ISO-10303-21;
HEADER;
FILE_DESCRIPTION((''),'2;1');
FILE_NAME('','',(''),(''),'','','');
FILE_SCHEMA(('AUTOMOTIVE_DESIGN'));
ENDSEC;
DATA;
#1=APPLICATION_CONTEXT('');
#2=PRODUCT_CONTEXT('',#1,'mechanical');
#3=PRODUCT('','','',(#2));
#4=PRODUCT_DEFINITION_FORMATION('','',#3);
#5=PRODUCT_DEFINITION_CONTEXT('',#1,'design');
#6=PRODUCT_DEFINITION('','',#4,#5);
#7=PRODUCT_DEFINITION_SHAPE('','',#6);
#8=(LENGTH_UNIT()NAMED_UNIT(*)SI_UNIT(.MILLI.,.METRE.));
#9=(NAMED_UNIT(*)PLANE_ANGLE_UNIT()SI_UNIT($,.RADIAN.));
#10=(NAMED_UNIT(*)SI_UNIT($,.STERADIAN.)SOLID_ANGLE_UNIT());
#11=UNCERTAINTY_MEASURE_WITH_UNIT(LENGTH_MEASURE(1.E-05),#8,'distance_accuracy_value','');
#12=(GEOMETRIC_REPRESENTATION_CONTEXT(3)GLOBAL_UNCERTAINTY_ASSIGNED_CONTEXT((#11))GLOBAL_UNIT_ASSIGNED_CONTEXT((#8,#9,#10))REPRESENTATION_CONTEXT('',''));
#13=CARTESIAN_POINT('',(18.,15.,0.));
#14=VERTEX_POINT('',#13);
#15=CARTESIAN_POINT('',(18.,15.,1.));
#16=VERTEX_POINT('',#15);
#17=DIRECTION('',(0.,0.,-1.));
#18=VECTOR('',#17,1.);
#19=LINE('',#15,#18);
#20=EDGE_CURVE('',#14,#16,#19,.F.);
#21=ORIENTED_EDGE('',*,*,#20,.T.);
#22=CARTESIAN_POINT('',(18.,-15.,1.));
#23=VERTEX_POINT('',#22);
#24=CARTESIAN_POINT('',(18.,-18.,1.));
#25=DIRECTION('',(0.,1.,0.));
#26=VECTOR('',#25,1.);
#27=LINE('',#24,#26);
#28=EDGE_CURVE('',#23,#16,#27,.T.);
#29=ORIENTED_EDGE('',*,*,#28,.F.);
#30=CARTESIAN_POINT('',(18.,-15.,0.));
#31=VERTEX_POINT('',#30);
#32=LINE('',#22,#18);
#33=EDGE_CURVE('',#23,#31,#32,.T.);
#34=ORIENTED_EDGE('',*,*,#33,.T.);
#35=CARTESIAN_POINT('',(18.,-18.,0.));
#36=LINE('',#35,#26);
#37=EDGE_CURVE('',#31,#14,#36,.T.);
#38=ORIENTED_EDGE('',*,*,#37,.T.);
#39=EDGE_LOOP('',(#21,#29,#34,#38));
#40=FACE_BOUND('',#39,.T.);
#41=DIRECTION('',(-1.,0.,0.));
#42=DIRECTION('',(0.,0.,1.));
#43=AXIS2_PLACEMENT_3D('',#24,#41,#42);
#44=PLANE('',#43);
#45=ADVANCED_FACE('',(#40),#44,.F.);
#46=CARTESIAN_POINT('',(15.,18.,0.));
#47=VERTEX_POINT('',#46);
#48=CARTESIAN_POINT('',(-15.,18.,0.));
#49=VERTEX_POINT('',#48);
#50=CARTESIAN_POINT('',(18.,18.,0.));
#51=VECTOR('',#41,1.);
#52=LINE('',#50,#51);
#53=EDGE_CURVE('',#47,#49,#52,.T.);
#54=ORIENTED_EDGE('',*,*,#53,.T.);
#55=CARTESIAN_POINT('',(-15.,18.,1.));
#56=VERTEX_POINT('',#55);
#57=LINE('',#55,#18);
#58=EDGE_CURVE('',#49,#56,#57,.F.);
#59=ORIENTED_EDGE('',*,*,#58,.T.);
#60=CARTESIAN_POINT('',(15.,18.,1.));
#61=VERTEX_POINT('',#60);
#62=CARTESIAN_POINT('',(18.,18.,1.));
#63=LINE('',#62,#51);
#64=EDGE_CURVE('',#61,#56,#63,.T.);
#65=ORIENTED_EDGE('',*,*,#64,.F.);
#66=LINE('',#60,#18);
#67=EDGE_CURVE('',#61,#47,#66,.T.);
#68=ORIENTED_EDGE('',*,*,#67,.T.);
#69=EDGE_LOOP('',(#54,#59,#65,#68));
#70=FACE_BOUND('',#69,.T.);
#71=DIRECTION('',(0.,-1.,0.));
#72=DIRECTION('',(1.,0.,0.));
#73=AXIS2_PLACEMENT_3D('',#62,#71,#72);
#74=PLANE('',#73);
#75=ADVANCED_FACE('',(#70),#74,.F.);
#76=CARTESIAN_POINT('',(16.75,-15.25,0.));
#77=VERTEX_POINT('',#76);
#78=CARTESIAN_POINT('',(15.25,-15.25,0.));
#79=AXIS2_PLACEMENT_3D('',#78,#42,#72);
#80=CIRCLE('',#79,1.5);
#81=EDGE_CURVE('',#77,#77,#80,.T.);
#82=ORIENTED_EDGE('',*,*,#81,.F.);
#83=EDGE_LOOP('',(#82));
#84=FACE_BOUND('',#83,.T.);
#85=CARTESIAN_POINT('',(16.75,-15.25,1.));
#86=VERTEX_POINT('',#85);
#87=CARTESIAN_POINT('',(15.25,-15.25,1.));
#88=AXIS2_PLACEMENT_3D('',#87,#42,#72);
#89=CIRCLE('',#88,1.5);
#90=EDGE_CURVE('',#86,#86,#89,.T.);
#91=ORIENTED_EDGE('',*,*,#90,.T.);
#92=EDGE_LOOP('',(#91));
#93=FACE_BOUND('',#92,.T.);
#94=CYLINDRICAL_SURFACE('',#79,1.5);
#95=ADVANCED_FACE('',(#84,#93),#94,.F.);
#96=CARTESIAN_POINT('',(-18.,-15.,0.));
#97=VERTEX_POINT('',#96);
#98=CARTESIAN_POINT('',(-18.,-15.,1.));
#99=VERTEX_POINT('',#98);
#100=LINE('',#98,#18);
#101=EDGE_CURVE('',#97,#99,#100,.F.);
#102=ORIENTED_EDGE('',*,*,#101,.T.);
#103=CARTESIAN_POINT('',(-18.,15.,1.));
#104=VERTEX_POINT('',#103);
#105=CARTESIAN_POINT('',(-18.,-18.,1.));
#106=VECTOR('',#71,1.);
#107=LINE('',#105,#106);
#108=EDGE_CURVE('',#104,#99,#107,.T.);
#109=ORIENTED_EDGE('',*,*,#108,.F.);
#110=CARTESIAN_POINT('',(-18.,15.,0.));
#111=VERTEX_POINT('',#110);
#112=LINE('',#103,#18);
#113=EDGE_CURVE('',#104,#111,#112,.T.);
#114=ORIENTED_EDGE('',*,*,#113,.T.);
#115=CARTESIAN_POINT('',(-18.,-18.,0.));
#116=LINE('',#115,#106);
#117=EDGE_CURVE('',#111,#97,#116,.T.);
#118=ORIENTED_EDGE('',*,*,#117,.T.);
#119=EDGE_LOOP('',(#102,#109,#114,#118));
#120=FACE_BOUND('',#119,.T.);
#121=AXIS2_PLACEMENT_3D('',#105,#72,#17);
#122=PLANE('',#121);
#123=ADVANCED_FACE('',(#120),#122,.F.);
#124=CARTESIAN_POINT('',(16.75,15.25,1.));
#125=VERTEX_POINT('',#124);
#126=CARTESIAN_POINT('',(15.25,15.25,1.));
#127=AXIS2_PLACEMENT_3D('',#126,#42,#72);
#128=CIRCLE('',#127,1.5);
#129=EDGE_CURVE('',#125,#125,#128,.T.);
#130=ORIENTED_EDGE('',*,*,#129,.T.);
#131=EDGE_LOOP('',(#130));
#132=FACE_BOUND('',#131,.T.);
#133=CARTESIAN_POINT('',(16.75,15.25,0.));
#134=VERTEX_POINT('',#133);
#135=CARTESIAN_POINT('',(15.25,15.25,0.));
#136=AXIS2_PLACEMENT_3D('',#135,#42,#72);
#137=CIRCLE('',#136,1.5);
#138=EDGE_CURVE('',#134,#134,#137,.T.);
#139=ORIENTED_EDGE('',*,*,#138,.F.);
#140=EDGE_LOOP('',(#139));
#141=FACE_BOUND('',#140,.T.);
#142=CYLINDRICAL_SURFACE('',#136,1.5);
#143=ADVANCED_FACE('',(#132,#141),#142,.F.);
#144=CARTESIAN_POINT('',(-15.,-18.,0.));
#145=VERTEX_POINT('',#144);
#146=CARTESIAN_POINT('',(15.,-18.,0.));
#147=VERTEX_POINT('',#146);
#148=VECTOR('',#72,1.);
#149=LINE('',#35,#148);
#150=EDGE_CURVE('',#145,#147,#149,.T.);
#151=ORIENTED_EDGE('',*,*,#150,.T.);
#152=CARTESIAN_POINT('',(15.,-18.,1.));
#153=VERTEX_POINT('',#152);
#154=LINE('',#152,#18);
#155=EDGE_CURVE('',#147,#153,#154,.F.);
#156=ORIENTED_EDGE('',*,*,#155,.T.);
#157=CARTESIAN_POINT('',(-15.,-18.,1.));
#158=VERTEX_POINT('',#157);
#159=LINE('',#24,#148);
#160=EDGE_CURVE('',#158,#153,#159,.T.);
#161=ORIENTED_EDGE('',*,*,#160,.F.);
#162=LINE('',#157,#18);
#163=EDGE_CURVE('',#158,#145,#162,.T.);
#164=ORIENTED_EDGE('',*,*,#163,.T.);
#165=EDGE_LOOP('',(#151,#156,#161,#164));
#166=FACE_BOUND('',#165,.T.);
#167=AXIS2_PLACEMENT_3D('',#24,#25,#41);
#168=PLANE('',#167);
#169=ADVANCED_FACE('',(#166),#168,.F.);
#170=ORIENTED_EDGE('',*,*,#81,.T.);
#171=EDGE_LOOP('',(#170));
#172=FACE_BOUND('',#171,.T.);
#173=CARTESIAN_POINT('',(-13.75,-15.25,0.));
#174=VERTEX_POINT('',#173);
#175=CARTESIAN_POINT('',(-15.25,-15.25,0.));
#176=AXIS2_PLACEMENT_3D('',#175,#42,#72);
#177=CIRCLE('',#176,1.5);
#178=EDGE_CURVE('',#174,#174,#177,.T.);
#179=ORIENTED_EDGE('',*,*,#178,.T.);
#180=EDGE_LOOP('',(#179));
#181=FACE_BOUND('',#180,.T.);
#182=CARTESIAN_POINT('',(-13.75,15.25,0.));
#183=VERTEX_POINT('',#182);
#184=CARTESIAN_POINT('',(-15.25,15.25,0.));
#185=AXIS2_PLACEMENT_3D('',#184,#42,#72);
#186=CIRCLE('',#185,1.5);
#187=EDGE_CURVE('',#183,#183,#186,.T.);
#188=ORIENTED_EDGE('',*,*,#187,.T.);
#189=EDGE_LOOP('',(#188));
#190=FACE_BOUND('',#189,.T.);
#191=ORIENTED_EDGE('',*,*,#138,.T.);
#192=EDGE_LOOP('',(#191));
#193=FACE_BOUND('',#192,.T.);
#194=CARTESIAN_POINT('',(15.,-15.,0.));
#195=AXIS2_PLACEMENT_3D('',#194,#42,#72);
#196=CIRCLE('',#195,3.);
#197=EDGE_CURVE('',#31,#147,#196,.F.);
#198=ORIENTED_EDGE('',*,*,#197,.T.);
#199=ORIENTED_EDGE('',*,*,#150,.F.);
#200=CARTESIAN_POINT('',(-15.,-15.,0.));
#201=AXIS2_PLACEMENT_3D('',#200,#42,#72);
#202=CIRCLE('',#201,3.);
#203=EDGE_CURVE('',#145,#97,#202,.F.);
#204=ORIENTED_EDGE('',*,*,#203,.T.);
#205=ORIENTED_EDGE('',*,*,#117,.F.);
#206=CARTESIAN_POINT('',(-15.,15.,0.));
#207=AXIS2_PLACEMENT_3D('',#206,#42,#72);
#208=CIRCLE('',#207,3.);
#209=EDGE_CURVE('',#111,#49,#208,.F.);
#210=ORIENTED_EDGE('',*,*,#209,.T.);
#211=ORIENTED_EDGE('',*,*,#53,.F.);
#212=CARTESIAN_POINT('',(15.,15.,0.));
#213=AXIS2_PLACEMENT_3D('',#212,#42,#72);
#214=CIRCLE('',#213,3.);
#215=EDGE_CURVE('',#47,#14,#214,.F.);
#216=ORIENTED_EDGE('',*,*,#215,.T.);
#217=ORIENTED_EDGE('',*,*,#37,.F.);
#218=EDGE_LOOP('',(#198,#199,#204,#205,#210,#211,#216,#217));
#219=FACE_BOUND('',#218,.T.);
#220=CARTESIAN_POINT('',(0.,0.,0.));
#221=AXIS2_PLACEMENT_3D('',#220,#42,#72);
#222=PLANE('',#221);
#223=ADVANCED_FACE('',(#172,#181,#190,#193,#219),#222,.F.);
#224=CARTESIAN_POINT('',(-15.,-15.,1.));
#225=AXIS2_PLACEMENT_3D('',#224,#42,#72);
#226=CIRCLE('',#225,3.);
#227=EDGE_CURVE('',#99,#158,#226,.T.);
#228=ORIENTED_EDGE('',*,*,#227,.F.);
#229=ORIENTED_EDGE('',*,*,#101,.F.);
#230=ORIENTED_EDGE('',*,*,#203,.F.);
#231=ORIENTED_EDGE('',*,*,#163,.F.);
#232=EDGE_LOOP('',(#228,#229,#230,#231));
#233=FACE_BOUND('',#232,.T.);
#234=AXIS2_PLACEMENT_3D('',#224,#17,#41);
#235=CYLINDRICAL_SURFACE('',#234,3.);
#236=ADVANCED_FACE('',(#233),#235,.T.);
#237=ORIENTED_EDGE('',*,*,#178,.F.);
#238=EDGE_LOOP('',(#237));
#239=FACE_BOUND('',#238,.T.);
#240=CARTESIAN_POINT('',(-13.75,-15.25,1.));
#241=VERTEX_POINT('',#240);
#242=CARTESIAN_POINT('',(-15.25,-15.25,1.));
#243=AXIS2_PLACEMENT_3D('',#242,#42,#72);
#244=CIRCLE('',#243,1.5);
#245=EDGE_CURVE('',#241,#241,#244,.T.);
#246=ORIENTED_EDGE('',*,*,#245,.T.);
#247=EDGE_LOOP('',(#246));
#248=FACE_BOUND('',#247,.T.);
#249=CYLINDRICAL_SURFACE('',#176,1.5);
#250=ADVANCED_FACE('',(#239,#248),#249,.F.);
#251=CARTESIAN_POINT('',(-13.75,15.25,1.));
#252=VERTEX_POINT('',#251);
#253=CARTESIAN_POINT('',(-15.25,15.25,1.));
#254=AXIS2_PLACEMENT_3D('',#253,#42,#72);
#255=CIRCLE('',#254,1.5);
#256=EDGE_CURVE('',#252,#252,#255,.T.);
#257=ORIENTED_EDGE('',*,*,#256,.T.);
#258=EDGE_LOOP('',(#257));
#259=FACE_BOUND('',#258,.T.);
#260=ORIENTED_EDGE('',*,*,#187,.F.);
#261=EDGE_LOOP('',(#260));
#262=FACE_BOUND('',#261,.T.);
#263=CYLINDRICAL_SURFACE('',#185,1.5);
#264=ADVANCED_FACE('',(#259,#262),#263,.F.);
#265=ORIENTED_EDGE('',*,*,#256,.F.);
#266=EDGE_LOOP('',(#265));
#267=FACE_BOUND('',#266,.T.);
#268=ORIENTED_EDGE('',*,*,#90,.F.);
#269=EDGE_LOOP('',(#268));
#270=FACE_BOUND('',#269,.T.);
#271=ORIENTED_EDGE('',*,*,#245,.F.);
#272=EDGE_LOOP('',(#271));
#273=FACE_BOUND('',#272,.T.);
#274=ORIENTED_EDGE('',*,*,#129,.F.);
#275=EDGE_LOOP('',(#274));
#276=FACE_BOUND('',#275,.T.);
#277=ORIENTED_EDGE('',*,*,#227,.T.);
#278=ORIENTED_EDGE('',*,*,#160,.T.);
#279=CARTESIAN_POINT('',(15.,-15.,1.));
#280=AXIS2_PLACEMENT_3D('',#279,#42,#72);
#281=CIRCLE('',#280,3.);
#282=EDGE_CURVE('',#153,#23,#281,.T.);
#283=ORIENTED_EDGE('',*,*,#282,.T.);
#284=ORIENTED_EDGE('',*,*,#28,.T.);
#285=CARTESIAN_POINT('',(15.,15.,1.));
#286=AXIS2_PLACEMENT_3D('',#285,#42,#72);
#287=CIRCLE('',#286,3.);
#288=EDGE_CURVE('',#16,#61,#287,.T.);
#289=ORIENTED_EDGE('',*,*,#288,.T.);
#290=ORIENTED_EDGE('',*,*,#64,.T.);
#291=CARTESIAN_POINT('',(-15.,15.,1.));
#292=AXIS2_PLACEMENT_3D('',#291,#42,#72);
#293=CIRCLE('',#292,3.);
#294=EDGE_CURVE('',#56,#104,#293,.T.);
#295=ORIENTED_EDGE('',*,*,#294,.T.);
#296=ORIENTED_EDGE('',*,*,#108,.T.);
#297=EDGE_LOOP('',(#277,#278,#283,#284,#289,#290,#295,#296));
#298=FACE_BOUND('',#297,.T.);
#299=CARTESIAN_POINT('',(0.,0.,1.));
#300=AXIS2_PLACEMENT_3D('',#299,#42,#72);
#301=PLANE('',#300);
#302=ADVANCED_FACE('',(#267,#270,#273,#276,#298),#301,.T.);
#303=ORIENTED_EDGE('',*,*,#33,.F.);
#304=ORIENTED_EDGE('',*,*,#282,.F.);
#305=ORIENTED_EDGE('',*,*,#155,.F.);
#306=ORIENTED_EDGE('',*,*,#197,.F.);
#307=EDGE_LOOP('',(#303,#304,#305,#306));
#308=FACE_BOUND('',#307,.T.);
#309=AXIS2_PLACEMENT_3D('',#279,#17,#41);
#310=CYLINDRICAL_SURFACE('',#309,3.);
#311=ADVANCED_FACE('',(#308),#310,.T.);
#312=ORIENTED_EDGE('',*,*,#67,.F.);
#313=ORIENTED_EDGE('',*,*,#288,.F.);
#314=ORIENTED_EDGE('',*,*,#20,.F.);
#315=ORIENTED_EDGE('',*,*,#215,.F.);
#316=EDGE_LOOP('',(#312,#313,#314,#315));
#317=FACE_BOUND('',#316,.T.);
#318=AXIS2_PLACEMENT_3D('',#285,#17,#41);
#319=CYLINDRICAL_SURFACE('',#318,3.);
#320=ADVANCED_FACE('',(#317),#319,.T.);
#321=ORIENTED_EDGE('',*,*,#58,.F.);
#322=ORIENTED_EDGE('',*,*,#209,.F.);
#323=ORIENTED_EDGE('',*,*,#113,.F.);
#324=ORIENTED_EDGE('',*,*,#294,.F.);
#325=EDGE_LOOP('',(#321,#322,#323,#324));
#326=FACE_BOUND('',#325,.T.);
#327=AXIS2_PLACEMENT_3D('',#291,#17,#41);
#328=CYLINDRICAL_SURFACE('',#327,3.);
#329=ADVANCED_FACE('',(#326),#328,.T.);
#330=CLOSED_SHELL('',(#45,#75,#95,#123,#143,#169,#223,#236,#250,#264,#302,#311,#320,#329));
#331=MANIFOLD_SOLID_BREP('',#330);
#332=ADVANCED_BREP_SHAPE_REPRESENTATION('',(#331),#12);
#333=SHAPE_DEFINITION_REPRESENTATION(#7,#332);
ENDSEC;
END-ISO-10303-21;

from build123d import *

# Parameters (mm, degrees)
SKETCH_1_W          = 36
SKETCH_1_H          = 36
EXTRUDE_1_DEPTH     = 1
FILLET_1_R          = 3
SKETCH_2_R          = 1.5
CUT_EXTRUDE_1_DEPTH = 1


with BuildPart() as part:
    # 草图1 → 凸台-拉伸1 (new body)
    with BuildSketch(Plane.XY):
        Rectangle(SKETCH_1_W, SKETCH_1_H)
    extrude(amount=EXTRUDE_1_DEPTH)

    # 圆角1
    fillet_1_edges = [part.edges().sort_by_distance(p)[0] for p in [
        (-18, 18, 0.5),
        (18, 18, 0.5),
        (18, -18, 0.5),
        (-18, -18, 0.5),
    ]]
    fillet(fillet_1_edges, radius=FILLET_1_R)

    # 草图2 → 切除-拉伸1 (cut)
    with BuildSketch(Plane.XY.offset(1)):
        with Locations((-15.25, 15.25)):
            Circle(SKETCH_2_R)
        with Locations((15.25, 15.25)):
            Circle(SKETCH_2_R)
        with Locations((15.25, -15.25)):
            Circle(SKETCH_2_R)
        with Locations((-15.25, -15.25)):
            Circle(SKETCH_2_R)
    extrude(amount=-CUT_EXTRUDE_1_DEPTH, mode=Mode.SUBTRACT)


solid = part.part
